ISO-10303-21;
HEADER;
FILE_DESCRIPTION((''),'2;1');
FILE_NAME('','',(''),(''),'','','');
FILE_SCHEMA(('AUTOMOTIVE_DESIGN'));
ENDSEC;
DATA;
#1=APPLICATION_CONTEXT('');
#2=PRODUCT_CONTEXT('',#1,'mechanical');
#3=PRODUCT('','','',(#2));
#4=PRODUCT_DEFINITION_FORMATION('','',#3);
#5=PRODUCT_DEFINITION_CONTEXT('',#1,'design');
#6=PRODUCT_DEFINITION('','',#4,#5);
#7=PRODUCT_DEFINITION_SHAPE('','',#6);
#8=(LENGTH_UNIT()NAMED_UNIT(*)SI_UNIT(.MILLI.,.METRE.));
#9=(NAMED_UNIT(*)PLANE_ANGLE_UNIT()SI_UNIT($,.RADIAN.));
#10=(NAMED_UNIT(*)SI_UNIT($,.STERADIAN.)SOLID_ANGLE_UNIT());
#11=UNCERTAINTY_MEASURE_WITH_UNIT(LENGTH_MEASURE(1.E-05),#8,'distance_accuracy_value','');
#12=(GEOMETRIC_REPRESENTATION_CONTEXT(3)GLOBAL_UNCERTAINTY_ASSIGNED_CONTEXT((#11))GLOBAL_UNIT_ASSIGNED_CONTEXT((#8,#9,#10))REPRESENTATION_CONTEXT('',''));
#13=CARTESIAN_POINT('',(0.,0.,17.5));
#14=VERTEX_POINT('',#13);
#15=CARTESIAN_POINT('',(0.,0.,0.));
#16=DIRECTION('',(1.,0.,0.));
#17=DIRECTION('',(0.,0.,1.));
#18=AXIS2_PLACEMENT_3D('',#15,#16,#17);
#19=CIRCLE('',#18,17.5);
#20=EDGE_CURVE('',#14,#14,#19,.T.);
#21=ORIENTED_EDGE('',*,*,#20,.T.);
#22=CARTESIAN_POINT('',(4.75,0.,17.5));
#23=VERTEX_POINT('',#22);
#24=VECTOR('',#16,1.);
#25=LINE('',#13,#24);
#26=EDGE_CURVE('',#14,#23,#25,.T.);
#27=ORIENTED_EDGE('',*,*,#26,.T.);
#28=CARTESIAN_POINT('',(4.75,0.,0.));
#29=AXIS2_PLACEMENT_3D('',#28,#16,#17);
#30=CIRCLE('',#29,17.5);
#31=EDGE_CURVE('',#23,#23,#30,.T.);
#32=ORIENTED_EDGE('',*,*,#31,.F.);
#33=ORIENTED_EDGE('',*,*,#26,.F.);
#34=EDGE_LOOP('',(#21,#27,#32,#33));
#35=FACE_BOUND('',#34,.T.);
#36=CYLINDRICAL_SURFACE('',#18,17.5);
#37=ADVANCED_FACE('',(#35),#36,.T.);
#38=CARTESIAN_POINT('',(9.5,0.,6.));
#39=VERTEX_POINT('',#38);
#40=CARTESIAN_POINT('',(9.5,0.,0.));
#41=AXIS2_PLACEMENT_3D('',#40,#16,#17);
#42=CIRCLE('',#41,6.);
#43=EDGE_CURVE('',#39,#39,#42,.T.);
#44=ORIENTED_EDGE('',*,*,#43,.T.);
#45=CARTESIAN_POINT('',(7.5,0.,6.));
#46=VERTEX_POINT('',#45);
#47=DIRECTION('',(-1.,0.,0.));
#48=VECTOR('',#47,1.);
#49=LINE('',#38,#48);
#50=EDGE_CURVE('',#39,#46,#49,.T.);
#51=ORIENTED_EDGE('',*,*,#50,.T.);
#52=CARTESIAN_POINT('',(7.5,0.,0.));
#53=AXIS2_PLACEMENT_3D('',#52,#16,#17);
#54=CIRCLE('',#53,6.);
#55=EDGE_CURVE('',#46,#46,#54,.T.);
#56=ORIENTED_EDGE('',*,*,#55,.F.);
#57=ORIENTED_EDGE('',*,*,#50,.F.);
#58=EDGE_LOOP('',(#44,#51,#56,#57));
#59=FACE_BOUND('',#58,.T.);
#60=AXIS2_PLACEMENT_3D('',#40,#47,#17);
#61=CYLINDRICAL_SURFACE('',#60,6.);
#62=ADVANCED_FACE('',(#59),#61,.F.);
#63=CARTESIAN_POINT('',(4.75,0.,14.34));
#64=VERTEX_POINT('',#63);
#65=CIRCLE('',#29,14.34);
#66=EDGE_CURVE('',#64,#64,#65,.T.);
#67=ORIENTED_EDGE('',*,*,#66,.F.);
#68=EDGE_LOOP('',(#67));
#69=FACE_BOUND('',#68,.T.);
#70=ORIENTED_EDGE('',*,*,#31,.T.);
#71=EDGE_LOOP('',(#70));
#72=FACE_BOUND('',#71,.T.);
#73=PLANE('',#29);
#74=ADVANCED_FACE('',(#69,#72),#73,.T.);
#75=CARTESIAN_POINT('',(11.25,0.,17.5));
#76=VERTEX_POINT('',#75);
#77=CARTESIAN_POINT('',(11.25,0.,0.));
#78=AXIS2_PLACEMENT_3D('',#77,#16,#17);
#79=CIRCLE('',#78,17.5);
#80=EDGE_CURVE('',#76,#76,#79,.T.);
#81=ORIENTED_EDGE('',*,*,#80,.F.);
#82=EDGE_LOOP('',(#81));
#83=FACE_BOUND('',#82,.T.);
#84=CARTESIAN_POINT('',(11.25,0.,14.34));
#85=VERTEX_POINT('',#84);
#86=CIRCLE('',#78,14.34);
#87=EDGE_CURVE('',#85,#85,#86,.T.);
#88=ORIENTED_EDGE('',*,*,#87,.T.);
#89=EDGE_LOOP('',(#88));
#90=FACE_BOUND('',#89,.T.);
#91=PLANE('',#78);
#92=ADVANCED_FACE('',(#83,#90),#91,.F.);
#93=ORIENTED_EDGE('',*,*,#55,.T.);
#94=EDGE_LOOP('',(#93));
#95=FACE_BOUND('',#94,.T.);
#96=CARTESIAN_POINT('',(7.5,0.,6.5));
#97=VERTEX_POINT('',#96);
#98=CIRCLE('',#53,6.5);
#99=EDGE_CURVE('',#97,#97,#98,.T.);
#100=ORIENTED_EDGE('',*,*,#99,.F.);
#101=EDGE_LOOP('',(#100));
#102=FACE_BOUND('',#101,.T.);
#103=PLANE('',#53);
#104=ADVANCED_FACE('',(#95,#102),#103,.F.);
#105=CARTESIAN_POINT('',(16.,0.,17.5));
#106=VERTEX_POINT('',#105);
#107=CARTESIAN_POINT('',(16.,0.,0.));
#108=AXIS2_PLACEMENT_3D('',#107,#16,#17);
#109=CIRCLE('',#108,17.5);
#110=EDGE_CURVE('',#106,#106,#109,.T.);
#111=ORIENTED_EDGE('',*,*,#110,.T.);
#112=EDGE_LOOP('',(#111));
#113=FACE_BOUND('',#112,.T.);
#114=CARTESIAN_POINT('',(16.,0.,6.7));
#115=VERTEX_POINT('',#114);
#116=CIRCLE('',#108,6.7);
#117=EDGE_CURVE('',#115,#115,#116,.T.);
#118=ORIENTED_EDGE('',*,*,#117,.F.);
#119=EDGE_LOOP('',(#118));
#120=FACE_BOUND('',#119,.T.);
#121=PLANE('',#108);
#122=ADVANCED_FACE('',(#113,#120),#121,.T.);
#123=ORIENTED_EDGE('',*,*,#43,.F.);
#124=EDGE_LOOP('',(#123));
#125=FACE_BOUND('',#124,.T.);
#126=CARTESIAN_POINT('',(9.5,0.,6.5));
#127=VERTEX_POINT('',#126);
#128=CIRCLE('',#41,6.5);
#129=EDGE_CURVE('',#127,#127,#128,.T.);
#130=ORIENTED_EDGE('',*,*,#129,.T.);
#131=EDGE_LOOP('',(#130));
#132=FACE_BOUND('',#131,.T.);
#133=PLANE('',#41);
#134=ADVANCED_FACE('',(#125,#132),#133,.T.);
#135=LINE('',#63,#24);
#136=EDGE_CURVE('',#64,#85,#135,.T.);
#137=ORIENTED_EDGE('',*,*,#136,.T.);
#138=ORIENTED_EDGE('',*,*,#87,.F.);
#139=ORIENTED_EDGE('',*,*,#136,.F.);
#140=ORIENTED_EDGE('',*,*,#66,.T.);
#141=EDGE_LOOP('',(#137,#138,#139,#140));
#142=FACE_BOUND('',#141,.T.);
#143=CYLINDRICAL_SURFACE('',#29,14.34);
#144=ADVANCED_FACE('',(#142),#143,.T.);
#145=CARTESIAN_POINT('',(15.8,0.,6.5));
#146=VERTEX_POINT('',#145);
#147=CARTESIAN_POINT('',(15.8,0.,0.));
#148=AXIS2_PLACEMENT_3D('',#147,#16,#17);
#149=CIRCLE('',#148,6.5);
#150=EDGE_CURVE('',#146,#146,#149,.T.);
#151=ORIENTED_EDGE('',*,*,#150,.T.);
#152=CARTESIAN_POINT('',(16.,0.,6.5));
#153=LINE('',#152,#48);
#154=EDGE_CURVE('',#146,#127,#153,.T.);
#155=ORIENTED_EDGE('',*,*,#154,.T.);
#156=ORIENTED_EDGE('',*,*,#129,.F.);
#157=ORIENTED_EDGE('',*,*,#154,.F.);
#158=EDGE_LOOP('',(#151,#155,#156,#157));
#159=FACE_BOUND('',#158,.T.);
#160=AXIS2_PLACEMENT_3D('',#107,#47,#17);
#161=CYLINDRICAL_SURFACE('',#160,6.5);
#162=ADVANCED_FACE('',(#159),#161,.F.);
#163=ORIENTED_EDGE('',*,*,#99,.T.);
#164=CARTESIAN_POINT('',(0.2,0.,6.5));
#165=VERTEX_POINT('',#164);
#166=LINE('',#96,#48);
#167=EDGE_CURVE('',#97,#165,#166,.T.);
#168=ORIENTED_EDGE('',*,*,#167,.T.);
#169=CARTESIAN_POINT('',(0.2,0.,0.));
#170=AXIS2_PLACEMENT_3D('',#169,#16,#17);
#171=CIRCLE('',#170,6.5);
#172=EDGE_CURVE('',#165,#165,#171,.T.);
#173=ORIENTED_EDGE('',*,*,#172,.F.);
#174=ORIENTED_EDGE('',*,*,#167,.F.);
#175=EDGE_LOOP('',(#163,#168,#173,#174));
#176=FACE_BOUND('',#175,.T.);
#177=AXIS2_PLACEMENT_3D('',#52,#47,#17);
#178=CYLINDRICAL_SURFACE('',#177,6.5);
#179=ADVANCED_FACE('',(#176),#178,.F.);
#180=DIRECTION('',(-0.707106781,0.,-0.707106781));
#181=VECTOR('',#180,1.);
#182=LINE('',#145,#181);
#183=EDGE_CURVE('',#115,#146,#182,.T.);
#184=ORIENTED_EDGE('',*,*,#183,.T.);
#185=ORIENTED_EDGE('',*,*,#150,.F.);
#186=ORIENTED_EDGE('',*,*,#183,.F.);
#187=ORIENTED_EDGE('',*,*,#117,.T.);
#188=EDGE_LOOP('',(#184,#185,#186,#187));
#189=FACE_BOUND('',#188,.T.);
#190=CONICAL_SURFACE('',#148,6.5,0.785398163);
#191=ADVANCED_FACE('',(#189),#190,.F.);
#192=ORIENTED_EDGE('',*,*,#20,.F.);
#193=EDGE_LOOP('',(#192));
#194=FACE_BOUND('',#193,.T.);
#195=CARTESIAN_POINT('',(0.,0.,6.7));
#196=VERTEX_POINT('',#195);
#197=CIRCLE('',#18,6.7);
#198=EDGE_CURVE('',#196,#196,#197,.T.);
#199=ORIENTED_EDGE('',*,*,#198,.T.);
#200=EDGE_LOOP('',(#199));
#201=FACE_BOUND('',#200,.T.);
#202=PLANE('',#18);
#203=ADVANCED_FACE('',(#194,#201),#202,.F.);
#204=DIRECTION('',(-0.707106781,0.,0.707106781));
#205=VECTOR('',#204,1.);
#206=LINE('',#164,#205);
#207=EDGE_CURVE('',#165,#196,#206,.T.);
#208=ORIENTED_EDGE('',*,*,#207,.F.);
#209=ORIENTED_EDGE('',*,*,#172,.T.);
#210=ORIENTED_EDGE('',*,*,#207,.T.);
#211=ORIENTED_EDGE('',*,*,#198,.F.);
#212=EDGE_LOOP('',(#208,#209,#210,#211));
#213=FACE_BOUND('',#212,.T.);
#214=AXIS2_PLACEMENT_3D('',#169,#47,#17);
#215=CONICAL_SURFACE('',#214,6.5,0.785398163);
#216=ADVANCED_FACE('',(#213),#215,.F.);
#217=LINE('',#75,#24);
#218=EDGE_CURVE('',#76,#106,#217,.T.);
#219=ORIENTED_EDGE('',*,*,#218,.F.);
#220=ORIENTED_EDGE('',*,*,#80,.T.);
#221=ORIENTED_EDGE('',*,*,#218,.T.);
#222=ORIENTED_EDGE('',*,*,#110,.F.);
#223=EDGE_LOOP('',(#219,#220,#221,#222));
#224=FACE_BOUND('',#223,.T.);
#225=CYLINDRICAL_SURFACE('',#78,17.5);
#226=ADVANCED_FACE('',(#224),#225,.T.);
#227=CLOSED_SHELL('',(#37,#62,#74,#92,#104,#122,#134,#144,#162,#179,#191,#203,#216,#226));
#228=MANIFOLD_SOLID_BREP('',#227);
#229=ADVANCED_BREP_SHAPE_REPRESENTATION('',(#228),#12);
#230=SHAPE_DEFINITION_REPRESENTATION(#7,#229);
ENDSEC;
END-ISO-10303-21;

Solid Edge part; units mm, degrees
sketch "Sketch1" plane through (0, 0, 0) normal (0, -1, 0) x (1, 0, 0)
  line L0 (11.25, 17.5) -> (16, 17.5)
  line L1 (16, 17.5) -> (16, 6.5)
  line L2 (16, 6.5) -> (9.5, 6.5)
  line L3 (9.5, 6.5) -> (9.5, 6)
  line L4 (9.5, 6) -> (7.5, 6)
  line L5 (7.5, 6) -> (7.5, 6.5)
  line L6 (7.5, 6.5) -> (0, 6.5)
  line L7 (0, 6.5) -> (0, 17.5)
  line L8 (0, 17.5) -> (4.75, 17.5)
  line L9 (4.75, 17.5) -> (4.75, 14.34)
  line L10 (4.75, 14.34) -> (11.25, 14.34)
  line L11 (11.25, 14.34) -> (11.25, 17.5)
revolve "RevolvedProtrusion1" add sketch "Sketch1" angle 360 about axis through (0, 0, 0) along (1, 0, 0)
chamfer "Chamfer1" distance 0.2 angle 45 2 edges at (16, 0, -6.5) (0, 0, -6.5)
